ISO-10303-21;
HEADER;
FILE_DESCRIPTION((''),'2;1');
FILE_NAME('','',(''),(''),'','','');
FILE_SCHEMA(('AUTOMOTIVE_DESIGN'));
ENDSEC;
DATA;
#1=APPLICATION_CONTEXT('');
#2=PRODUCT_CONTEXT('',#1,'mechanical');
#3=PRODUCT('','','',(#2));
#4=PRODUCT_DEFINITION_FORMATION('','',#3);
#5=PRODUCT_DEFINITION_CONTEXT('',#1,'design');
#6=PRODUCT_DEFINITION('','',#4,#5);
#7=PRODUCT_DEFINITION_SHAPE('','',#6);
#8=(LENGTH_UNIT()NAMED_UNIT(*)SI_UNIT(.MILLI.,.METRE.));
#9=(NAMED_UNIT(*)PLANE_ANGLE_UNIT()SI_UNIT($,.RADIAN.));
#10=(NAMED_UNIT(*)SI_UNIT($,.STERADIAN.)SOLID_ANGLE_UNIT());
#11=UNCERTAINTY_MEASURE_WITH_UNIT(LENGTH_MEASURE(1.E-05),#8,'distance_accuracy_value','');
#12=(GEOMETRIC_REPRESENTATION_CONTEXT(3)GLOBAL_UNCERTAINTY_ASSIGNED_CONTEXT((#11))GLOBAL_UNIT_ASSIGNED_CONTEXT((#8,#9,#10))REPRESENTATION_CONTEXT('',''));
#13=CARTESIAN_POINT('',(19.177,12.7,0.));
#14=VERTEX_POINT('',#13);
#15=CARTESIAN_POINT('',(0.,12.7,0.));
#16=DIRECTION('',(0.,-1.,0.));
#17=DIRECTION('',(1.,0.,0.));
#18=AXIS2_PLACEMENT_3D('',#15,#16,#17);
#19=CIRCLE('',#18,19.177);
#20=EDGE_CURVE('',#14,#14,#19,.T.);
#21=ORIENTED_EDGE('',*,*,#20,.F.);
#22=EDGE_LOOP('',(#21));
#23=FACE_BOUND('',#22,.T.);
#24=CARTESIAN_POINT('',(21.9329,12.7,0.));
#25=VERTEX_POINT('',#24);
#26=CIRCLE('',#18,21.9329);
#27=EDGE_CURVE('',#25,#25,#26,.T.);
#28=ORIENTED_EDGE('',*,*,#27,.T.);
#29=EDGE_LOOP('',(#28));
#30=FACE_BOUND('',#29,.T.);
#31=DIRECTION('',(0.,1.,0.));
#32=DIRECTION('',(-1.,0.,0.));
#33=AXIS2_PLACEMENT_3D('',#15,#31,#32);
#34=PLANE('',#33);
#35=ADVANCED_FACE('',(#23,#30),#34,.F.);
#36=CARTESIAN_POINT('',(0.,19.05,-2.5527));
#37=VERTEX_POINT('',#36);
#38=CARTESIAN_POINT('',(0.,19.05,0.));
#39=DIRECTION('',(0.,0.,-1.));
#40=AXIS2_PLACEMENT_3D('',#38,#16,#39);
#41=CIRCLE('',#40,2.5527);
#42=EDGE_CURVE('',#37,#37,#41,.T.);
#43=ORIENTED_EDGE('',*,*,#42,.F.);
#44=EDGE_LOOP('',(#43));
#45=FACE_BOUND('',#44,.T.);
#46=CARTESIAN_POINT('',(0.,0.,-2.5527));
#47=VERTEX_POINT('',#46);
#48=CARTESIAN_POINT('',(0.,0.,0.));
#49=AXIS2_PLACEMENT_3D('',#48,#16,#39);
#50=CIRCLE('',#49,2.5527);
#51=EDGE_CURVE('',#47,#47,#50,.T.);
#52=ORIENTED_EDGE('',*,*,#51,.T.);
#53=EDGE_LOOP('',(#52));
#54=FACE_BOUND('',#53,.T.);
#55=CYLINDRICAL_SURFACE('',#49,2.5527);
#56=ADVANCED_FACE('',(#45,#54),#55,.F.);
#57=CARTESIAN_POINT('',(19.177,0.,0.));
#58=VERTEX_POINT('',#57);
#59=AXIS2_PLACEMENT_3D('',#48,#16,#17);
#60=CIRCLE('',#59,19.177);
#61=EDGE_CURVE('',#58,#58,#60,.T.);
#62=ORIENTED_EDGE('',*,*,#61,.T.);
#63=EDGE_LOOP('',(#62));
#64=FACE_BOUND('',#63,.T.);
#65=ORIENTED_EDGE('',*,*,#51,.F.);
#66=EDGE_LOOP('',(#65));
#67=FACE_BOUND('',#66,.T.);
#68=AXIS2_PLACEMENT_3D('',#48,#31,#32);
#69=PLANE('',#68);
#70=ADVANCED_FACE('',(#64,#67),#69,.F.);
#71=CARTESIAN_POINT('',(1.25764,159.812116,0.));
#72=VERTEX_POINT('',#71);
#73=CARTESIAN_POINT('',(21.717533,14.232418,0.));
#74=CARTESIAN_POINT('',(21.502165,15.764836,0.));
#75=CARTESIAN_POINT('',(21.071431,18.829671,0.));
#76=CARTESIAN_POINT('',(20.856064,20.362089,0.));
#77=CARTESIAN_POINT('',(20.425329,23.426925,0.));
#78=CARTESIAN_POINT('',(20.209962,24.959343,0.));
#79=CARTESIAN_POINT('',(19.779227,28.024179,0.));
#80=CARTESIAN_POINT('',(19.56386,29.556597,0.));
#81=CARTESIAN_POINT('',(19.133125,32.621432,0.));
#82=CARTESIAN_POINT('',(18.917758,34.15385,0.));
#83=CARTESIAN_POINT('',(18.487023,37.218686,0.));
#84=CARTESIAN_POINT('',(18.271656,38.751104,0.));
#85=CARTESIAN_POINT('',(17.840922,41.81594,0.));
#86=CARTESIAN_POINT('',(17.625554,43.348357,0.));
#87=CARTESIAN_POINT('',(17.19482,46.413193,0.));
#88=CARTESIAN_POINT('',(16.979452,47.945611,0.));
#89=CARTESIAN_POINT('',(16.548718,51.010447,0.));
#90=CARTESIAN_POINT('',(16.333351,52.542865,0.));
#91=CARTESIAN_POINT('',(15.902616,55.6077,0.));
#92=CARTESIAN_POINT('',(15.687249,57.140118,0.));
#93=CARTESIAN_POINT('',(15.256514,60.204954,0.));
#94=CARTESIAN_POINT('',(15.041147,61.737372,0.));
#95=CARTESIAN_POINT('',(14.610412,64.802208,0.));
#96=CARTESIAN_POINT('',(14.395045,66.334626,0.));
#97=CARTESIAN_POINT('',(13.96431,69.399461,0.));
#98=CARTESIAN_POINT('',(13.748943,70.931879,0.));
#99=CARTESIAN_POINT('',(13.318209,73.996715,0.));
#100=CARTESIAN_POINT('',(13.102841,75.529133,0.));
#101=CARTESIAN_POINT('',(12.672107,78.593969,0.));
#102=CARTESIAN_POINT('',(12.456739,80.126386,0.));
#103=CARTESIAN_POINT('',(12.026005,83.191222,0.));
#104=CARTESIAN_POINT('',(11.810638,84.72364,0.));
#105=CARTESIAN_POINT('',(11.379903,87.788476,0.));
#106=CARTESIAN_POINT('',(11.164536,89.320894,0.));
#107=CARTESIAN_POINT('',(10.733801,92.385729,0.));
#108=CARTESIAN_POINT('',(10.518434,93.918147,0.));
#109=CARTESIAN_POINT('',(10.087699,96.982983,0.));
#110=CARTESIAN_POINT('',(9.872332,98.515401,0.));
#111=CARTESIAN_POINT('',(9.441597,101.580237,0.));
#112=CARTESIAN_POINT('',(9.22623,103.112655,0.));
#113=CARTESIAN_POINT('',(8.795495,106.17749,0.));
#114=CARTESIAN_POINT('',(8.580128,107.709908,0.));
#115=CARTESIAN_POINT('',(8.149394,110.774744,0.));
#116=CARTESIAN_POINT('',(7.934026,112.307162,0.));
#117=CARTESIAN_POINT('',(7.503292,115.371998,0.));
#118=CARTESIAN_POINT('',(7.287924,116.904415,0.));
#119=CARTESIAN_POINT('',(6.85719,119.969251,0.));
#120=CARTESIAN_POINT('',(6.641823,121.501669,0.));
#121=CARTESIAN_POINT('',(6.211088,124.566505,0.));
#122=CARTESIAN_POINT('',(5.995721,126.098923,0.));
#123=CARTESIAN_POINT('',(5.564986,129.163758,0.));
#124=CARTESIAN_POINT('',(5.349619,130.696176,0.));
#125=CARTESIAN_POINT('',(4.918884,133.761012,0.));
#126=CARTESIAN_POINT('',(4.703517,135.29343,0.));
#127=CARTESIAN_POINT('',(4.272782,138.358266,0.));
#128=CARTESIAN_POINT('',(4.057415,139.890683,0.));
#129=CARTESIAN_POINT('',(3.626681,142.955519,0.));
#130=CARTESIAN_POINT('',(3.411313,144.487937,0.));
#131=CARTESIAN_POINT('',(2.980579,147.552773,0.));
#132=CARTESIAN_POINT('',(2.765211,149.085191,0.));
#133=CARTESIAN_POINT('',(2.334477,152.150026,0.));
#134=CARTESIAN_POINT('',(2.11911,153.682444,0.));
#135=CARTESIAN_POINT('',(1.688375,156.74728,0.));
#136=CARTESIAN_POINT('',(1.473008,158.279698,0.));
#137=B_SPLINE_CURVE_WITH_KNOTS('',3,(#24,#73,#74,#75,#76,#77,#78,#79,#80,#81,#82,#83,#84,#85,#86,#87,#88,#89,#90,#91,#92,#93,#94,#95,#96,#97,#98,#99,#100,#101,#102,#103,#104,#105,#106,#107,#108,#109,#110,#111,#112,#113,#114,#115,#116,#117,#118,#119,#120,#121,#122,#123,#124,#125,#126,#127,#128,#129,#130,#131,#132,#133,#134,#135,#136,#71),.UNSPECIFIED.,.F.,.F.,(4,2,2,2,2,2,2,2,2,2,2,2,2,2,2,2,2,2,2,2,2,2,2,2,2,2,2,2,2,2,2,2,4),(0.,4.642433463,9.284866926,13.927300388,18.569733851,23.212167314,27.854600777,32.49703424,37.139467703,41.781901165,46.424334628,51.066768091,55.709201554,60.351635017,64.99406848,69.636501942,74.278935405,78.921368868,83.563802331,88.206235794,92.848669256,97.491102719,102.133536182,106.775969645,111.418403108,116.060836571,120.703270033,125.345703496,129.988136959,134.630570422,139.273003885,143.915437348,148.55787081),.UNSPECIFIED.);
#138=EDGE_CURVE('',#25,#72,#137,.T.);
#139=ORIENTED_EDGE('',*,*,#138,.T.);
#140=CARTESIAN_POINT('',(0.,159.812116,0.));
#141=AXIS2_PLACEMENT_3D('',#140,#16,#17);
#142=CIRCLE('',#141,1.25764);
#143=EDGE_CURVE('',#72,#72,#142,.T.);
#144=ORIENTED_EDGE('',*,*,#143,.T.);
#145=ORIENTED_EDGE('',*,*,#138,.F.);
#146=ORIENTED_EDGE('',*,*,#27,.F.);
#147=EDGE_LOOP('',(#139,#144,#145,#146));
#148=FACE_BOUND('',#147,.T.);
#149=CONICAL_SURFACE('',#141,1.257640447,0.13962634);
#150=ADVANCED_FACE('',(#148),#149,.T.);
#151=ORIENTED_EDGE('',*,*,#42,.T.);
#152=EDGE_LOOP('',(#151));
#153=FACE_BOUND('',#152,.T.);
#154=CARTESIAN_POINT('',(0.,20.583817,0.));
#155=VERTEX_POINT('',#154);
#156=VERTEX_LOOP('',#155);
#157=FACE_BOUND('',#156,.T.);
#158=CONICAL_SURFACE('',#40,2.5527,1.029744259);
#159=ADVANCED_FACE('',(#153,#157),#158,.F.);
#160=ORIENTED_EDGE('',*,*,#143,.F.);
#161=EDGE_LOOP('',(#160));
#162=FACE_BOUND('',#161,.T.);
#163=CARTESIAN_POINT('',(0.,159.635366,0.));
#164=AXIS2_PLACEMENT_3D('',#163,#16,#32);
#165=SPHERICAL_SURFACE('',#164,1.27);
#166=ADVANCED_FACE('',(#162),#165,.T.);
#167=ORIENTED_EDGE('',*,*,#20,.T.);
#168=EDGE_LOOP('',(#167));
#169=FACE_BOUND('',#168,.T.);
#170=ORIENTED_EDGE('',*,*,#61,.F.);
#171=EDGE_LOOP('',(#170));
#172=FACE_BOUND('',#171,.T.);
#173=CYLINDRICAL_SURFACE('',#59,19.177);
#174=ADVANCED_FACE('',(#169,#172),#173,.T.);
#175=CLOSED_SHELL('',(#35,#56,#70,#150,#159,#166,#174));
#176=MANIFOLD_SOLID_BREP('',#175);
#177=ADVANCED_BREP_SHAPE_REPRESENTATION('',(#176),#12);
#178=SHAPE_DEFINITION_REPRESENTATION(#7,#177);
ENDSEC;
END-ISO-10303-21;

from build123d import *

# Parameters (mm, degrees)
TAP_DRILL_FOR_1_4_20_TAP1_D     = 5.1054
TAP_DRILL_FOR_1_4_20_TAP1_DEPTH = 19.05
TAP_DRILL_FOR_1_4_20_TAP1_TIP   = 1.533816902


with BuildPart() as part:
    # Sketch2 → Revolve1 (revolve)
    with BuildSketch(Plane.XY):
        with BuildLine():
            Line((21.9329, 12.7), (1.257640447, 159.812115824))
            ThreePointArc((1.257640447, 159.812115824), (0.833194967, 160.593847152), (0, 160.905365985))
            Line((0, 160.905365985), (0, 0))
            Line((0, 0), (19.177, 0))
            Line((19.177, 0), (19.177, 12.7))
            Line((19.177, 12.7), (21.9329, 12.7))
        make_face()
    revolve(axis=Axis((0, 0, 0), (0, 1, 0)))

    # Tap Drill for 1/4-20 Tap1
    with Locations(Plane(origin=(0, 0, 0), x_dir=(-1, 0, 0), z_dir=(0, -1, 0))):
        with Locations((0, 0)):
            Hole(TAP_DRILL_FOR_1_4_20_TAP1_D / 2, depth=TAP_DRILL_FOR_1_4_20_TAP1_DEPTH)
            with Locations((0, 0, -(TAP_DRILL_FOR_1_4_20_TAP1_DEPTH + TAP_DRILL_FOR_1_4_20_TAP1_TIP / 2))):  # 118° drill point
                Cone(0, TAP_DRILL_FOR_1_4_20_TAP1_D / 2, TAP_DRILL_FOR_1_4_20_TAP1_TIP, mode=Mode.SUBTRACT)


solid = part.part
